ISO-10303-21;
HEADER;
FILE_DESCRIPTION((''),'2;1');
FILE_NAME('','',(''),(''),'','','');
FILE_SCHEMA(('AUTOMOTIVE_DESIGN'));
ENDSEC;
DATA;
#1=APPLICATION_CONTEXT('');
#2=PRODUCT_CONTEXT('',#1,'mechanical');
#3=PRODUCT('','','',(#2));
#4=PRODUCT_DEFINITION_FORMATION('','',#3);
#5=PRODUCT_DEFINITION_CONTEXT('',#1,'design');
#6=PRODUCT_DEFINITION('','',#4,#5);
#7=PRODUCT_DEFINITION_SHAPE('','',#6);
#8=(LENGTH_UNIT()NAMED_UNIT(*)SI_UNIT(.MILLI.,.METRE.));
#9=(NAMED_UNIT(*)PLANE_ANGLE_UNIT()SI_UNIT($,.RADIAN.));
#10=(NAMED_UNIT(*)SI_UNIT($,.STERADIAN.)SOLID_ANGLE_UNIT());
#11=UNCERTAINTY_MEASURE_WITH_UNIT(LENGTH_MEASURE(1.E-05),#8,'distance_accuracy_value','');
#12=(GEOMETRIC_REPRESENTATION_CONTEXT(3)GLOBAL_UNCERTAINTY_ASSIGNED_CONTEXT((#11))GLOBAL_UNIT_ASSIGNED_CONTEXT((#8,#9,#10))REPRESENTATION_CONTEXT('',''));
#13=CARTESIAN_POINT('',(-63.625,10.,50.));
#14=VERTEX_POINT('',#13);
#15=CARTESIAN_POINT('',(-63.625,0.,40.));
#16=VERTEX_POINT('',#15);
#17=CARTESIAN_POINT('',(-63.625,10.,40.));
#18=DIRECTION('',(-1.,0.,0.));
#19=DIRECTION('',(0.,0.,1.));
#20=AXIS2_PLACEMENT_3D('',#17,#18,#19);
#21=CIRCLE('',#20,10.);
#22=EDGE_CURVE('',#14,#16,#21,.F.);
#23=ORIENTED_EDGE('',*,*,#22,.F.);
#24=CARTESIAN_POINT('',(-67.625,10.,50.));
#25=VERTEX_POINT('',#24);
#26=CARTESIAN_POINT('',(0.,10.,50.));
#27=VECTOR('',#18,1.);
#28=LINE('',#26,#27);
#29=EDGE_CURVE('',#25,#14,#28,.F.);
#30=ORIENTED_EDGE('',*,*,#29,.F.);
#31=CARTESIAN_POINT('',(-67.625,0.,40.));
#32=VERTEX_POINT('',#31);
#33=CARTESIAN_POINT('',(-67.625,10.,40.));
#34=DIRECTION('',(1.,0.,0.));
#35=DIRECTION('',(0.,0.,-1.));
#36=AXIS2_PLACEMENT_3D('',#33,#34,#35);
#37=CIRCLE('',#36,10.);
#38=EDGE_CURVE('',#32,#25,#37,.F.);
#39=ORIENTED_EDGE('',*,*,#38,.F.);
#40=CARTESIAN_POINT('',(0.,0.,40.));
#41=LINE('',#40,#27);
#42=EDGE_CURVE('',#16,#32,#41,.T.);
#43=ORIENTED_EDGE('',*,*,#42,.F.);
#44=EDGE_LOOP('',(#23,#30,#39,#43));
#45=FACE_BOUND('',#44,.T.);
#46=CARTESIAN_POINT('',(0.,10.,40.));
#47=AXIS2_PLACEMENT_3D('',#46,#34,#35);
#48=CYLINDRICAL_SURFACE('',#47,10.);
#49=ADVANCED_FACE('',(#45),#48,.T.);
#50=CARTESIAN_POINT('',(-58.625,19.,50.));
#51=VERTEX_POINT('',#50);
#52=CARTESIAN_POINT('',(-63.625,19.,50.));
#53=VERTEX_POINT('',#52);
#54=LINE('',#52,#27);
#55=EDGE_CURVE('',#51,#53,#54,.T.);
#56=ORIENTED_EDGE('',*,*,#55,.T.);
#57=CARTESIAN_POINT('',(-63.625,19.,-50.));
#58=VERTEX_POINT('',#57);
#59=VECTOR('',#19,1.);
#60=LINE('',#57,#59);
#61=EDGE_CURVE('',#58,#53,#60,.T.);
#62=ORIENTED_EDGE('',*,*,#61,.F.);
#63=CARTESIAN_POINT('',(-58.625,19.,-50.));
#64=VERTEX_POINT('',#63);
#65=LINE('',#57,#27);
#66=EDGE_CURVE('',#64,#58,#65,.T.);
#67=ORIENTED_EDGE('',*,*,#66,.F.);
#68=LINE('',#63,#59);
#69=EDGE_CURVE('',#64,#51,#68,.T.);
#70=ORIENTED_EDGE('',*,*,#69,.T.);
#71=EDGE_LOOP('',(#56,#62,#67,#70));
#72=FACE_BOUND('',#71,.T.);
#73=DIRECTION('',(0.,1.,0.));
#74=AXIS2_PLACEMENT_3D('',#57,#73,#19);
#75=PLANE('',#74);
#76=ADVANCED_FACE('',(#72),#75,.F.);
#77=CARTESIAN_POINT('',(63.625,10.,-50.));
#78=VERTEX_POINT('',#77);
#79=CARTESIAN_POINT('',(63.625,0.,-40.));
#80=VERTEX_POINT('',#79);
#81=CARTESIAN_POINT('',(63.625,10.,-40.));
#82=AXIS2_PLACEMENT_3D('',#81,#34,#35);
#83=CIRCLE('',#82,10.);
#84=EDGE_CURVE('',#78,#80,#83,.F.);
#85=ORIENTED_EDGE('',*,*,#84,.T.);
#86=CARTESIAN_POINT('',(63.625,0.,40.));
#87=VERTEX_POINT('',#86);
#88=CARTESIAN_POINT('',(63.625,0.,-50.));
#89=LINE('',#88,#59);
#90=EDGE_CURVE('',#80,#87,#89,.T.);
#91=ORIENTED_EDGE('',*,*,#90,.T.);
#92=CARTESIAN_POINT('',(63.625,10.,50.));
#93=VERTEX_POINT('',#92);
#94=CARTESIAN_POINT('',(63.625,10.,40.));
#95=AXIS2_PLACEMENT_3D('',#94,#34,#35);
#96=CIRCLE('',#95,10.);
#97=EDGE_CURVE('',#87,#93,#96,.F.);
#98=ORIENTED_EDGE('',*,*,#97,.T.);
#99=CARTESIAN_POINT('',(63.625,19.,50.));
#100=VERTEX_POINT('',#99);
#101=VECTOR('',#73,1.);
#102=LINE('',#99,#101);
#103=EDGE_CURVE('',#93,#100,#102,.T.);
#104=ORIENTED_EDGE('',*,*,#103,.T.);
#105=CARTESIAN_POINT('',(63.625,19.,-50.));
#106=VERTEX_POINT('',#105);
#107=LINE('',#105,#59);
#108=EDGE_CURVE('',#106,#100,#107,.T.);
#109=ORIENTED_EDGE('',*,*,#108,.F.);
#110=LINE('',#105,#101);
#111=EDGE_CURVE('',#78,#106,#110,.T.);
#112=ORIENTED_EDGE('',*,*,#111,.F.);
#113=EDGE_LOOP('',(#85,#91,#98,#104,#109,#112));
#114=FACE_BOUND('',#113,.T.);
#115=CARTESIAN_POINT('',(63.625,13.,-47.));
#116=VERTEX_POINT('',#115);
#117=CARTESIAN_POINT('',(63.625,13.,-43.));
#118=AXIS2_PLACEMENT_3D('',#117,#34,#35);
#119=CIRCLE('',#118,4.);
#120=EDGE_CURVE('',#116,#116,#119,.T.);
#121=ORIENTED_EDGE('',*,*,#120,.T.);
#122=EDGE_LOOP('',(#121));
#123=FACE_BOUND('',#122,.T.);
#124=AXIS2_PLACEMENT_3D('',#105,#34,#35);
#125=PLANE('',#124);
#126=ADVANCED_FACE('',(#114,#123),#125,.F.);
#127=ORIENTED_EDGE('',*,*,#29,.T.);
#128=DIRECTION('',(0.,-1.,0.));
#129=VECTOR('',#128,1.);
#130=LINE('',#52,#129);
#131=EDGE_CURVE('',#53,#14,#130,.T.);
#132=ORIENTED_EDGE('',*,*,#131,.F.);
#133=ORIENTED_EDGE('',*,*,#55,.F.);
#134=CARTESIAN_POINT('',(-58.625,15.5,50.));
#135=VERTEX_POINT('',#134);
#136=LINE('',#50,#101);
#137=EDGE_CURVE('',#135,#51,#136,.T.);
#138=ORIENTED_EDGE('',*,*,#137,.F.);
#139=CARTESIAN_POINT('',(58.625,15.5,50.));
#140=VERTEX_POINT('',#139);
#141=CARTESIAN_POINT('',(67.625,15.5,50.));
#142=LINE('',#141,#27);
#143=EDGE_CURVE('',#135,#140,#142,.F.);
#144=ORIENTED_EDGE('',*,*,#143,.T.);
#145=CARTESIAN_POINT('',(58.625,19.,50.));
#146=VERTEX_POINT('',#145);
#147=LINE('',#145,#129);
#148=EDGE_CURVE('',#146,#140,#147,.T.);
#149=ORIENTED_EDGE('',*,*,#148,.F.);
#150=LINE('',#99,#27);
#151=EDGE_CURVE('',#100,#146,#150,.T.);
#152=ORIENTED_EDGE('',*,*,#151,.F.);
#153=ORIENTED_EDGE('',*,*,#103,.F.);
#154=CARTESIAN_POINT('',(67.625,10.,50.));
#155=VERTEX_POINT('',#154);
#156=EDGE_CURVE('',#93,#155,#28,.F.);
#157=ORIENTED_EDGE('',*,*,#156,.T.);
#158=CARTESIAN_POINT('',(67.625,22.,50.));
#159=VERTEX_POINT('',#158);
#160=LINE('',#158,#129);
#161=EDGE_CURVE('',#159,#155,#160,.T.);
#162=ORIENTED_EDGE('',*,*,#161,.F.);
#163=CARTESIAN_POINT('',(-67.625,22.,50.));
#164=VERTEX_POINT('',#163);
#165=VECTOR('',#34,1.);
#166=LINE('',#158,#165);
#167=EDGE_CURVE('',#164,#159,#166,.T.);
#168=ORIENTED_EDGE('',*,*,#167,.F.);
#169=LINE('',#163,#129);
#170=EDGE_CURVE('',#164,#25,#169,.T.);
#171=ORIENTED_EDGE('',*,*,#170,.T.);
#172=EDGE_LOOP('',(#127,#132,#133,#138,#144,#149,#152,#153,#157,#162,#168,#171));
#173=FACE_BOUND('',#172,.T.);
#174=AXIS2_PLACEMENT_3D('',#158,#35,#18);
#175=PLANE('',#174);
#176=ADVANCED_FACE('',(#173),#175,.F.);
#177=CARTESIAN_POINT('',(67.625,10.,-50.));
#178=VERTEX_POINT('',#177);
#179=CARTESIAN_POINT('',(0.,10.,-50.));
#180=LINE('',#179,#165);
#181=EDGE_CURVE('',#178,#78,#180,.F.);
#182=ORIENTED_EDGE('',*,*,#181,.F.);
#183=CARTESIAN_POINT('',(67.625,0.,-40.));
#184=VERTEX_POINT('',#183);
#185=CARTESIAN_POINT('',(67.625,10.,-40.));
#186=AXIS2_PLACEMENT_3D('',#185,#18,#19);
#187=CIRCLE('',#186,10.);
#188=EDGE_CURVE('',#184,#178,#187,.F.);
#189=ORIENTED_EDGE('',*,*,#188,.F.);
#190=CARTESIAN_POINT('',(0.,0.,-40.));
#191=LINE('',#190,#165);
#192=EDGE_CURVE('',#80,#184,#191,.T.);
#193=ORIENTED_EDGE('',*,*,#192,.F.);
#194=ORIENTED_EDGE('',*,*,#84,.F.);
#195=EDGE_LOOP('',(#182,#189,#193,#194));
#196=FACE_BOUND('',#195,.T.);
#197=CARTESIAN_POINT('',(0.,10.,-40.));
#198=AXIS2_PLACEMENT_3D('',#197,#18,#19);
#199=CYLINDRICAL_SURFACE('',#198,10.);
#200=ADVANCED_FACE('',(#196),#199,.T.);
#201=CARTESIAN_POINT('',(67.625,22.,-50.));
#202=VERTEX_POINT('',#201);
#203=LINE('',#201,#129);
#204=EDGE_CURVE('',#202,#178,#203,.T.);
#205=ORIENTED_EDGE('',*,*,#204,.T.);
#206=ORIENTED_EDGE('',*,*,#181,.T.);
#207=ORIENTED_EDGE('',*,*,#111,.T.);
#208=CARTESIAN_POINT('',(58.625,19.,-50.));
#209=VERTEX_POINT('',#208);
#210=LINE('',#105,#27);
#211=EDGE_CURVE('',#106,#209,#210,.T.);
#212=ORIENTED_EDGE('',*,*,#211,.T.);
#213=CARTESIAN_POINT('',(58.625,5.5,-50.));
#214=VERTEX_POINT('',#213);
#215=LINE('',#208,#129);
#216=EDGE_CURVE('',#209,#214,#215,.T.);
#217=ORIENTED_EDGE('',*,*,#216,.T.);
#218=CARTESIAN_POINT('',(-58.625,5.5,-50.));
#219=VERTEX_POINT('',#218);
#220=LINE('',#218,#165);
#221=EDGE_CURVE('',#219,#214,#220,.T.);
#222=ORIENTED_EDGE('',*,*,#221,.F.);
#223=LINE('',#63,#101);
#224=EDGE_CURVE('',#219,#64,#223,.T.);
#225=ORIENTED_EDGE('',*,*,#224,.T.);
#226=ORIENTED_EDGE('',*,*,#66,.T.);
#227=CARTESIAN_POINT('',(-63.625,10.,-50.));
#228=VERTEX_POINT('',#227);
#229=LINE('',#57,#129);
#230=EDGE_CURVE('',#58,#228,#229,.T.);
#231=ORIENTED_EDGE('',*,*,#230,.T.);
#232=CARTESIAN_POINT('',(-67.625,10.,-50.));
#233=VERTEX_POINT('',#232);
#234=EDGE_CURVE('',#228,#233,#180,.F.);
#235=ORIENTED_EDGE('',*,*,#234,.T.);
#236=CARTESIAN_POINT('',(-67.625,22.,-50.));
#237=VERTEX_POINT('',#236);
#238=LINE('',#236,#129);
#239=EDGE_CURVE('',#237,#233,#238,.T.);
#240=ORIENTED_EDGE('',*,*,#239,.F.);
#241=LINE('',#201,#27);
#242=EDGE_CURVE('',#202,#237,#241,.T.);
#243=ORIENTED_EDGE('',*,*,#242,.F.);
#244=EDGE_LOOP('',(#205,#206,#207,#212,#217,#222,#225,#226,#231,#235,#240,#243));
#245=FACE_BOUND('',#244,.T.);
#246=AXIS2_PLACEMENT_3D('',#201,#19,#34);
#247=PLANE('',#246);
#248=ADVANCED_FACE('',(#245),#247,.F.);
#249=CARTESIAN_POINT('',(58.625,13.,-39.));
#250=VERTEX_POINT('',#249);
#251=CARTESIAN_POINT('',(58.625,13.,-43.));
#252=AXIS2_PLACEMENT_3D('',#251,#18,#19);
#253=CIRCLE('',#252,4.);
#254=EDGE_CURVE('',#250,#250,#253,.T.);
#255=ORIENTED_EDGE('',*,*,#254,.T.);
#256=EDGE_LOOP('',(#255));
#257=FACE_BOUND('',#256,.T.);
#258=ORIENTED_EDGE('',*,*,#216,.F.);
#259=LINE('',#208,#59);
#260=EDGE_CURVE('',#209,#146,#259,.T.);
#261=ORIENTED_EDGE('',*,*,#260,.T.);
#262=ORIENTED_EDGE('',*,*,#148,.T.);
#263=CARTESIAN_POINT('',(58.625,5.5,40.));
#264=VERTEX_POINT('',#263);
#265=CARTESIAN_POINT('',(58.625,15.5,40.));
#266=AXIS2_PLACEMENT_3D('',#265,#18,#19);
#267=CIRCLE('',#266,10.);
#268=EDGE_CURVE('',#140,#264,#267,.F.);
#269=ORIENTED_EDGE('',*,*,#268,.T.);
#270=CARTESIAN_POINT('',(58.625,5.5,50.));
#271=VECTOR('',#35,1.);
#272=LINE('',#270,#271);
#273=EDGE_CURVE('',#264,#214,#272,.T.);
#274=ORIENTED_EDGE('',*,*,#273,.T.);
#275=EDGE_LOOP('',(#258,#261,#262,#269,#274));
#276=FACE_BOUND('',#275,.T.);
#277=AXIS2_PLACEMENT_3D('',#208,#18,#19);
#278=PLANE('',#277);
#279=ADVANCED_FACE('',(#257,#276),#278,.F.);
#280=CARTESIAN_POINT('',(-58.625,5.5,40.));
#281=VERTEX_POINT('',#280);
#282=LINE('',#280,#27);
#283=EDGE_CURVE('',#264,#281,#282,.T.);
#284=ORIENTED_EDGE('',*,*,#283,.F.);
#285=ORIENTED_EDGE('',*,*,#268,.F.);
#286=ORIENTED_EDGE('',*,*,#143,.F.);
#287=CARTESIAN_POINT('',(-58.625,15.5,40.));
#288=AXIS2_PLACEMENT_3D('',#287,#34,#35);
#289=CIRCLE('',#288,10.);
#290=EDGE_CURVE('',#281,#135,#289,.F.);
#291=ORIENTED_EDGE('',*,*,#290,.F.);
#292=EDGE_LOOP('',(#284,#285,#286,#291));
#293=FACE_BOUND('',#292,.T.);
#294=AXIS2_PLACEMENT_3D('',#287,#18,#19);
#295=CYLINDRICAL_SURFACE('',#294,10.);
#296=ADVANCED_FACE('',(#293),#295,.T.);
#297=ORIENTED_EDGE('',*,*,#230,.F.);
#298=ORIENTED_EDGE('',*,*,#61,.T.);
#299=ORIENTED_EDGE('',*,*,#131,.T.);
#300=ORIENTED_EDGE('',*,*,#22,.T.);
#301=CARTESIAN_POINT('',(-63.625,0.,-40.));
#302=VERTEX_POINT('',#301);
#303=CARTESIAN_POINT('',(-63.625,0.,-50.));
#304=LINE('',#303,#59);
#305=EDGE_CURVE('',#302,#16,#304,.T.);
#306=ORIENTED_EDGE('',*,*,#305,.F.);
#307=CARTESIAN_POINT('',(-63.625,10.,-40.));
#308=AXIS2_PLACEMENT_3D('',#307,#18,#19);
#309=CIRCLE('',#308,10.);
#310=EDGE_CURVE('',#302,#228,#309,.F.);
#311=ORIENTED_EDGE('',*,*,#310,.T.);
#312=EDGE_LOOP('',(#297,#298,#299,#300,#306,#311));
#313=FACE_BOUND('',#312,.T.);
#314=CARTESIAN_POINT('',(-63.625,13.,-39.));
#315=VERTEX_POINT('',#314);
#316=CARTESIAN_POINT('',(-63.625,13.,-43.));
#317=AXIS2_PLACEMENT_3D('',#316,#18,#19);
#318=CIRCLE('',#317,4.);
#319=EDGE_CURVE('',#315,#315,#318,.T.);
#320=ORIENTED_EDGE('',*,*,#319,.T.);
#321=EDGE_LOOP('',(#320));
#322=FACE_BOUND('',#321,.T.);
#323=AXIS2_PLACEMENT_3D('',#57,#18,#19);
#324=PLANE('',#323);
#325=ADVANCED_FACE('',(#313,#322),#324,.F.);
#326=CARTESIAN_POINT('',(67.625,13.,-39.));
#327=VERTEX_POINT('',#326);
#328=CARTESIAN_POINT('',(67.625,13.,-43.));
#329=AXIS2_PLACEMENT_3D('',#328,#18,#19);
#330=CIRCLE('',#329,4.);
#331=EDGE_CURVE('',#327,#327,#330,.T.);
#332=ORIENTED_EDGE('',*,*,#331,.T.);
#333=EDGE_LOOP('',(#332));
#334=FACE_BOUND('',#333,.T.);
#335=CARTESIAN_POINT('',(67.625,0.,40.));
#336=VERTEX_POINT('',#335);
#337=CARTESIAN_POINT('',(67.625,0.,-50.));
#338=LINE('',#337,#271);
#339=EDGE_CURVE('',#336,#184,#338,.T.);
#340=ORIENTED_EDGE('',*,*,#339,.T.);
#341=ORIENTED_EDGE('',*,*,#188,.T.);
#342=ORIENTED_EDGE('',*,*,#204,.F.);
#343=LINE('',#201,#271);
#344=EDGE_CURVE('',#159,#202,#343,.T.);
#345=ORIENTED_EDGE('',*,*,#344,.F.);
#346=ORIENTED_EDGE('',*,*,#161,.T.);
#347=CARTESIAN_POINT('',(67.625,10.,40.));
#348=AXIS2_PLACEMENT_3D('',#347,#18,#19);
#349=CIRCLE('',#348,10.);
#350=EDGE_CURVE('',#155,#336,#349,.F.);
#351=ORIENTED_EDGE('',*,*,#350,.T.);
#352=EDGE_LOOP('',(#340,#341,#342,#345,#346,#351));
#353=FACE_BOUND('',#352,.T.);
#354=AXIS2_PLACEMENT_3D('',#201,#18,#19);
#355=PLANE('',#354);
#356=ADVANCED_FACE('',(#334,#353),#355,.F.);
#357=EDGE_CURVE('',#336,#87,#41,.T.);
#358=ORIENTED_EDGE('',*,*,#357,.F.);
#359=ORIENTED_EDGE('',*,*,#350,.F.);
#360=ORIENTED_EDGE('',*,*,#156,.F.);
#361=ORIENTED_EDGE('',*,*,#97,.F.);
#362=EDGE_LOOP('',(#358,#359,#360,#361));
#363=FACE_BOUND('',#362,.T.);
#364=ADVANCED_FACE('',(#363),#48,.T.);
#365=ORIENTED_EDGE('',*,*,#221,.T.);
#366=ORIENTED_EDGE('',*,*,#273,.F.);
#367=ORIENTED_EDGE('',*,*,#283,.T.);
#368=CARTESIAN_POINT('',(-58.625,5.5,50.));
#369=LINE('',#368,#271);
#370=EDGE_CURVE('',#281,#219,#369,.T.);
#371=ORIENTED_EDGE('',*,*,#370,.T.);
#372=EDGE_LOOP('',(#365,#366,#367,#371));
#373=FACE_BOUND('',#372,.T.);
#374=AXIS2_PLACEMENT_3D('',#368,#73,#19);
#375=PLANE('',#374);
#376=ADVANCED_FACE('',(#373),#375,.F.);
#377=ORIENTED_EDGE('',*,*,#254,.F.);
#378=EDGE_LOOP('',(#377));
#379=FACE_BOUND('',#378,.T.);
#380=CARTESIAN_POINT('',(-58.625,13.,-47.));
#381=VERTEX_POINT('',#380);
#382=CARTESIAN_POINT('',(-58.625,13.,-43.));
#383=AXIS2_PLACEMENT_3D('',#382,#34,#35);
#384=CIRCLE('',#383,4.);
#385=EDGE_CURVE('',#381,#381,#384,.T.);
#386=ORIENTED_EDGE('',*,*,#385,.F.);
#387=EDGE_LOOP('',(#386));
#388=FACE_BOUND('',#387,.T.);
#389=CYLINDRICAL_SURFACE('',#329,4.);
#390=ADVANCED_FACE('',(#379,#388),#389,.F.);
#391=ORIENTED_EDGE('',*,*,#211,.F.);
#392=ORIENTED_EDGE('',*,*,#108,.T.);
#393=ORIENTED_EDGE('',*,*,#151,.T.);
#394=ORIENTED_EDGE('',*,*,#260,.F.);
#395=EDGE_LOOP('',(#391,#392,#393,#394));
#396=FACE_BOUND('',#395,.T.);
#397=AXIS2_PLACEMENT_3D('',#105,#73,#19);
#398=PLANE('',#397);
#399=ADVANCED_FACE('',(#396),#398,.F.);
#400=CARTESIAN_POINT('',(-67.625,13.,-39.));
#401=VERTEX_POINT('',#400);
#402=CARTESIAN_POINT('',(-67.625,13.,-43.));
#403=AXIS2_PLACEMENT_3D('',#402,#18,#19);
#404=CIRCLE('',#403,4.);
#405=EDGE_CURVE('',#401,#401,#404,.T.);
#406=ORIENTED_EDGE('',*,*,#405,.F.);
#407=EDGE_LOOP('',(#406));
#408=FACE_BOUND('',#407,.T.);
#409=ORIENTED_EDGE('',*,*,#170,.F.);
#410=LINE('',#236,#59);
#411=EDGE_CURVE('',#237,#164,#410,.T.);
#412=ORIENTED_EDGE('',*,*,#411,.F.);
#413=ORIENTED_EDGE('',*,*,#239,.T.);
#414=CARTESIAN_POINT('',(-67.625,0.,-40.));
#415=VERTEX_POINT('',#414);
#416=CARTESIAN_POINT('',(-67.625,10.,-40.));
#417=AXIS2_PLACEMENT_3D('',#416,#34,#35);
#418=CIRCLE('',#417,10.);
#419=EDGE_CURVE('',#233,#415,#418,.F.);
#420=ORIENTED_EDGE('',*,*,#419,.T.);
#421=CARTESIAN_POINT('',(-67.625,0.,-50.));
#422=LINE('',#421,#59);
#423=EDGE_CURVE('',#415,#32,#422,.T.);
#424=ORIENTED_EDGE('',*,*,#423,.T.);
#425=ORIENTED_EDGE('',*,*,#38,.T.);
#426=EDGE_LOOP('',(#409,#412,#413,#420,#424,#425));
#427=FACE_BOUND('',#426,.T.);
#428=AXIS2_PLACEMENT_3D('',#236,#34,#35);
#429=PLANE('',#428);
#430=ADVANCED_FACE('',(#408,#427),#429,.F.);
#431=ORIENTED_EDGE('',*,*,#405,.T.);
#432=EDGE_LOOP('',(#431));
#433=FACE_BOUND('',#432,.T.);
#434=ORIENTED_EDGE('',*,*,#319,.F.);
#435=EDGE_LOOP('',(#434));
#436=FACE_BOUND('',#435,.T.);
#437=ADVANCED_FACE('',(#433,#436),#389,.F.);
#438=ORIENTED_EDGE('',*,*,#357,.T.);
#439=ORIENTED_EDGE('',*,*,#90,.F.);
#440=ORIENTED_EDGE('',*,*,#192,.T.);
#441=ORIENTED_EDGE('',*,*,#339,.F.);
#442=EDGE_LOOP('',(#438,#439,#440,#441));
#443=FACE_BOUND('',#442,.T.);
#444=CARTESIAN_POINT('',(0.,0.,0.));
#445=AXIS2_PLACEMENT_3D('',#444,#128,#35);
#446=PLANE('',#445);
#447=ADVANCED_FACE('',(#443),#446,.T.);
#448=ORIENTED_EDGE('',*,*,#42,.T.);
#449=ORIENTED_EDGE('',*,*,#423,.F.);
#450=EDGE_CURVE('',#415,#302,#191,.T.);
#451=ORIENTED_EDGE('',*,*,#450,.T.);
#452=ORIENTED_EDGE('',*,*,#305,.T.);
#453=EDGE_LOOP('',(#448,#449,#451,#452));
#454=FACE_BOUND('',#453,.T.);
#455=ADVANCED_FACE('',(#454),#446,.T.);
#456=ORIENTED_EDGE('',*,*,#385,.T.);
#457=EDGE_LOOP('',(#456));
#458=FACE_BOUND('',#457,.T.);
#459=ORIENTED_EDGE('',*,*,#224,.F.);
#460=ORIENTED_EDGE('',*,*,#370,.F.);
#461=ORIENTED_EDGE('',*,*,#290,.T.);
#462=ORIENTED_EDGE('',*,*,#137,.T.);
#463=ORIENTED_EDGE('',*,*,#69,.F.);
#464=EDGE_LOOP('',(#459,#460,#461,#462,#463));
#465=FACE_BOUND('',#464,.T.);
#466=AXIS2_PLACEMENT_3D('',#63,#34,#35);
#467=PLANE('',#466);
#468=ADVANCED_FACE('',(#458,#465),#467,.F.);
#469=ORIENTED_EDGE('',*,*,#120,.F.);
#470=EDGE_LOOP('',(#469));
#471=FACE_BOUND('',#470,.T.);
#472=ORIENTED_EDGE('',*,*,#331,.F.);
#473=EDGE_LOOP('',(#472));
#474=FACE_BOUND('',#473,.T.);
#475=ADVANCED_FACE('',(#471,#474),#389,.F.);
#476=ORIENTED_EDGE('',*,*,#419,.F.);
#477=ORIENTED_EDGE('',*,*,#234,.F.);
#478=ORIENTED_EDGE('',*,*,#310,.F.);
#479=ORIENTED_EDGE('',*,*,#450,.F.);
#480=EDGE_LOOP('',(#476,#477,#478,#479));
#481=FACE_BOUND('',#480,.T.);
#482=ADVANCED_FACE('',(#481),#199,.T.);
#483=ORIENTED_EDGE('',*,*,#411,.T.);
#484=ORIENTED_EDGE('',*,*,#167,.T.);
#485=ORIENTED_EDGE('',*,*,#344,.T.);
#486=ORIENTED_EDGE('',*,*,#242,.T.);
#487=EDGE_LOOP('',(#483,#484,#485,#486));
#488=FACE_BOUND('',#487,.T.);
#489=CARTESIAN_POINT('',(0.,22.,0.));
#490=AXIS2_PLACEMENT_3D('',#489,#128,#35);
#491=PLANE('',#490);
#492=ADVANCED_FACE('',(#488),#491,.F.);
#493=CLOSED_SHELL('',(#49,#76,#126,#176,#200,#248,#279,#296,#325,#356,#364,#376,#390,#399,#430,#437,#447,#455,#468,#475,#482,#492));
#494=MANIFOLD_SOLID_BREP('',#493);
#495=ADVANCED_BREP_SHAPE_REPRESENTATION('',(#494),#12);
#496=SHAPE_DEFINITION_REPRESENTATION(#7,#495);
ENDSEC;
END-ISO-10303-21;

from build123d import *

# Parameters (mm, degrees)
SKETCH1_W           = 135.25
SKETCH1_H           = 100
BOSS_EXTRUDE1_DEPTH = 22
SKETCH4_W           = 5
SKETCH4_H           = 19
CUT_EXTRUDE1_DEPTH  = 101
SKETCH5_W           = 117.25
SKETCH5_H           = 11
CUT_EXTRUDE2_DEPTH  = 101
FILLET1_R           = 10
FILLET2_R           = 10
FILLET3_R           = 10
FILLET4_R           = 10
FILLET5_R           = 10
SKETCH6_R           = 4
CUT_EXTRUDE3_DEPTH  = 136.25


with BuildPart() as part:
    # Sketch1 → Boss-Extrude1 (new body)
    with BuildSketch(Plane(origin=(0, 0, 0), x_dir=(1, 0, 0), z_dir=(0, 1, 0))):
        Rectangle(SKETCH1_W, SKETCH1_H)
    extrude(amount=BOSS_EXTRUDE1_DEPTH)

    # Sketch4 → Cut-Extrude1 (cut, through all)
    with BuildSketch(Plane.XY.offset(50)):
        with Locations((-61.125, 9.5)):
            Rectangle(SKETCH4_W, SKETCH4_H)
        with Locations((61.125, 9.5)):
            Rectangle(SKETCH4_W, SKETCH4_H)
    extrude(amount=-CUT_EXTRUDE1_DEPTH, mode=Mode.SUBTRACT)

    # Sketch5 → Cut-Extrude2 (cut, through all)
    with BuildSketch(Plane(origin=(0, 0, -50), x_dir=(-1, 0, 0), z_dir=(0, 0, -1))):
        Rectangle(SKETCH5_W, SKETCH5_H)
    extrude(amount=-CUT_EXTRUDE2_DEPTH, mode=Mode.SUBTRACT)

    # Fillet1
    fillet1_edges = [part.edges().sort_by_distance(p)[0] for p in [
        (0, 5.5, 50),
    ]]
    fillet(fillet1_edges, radius=FILLET1_R)

    # Fillet2
    fillet2_edges = [part.edges().sort_by_distance(p)[0] for p in [
        (-65.625, 0, 50),
    ]]
    fillet(fillet2_edges, radius=FILLET2_R)

    # Fillet3
    fillet3_edges = [part.edges().sort_by_distance(p)[0] for p in [
        (65.625, 0, 50),
    ]]
    fillet(fillet3_edges, radius=FILLET3_R)

    # Fillet4
    fillet4_edges = [part.edges().sort_by_distance(p)[0] for p in [
        (-65.625, 0, -50),
    ]]
    fillet(fillet4_edges, radius=FILLET4_R)

    # Fillet5
    fillet5_edges = [part.edges().sort_by_distance(p)[0] for p in [
        (65.625, 0, -50),
    ]]
    fillet(fillet5_edges, radius=FILLET5_R)

    # Sketch6 → Cut-Extrude3 (cut, through all)
    with BuildSketch(Plane.ZY.offset(67.625)):
        with Locations((-43, 13)):
            Circle(SKETCH6_R)
    extrude(amount=-CUT_EXTRUDE3_DEPTH, mode=Mode.SUBTRACT)


solid = part.part
